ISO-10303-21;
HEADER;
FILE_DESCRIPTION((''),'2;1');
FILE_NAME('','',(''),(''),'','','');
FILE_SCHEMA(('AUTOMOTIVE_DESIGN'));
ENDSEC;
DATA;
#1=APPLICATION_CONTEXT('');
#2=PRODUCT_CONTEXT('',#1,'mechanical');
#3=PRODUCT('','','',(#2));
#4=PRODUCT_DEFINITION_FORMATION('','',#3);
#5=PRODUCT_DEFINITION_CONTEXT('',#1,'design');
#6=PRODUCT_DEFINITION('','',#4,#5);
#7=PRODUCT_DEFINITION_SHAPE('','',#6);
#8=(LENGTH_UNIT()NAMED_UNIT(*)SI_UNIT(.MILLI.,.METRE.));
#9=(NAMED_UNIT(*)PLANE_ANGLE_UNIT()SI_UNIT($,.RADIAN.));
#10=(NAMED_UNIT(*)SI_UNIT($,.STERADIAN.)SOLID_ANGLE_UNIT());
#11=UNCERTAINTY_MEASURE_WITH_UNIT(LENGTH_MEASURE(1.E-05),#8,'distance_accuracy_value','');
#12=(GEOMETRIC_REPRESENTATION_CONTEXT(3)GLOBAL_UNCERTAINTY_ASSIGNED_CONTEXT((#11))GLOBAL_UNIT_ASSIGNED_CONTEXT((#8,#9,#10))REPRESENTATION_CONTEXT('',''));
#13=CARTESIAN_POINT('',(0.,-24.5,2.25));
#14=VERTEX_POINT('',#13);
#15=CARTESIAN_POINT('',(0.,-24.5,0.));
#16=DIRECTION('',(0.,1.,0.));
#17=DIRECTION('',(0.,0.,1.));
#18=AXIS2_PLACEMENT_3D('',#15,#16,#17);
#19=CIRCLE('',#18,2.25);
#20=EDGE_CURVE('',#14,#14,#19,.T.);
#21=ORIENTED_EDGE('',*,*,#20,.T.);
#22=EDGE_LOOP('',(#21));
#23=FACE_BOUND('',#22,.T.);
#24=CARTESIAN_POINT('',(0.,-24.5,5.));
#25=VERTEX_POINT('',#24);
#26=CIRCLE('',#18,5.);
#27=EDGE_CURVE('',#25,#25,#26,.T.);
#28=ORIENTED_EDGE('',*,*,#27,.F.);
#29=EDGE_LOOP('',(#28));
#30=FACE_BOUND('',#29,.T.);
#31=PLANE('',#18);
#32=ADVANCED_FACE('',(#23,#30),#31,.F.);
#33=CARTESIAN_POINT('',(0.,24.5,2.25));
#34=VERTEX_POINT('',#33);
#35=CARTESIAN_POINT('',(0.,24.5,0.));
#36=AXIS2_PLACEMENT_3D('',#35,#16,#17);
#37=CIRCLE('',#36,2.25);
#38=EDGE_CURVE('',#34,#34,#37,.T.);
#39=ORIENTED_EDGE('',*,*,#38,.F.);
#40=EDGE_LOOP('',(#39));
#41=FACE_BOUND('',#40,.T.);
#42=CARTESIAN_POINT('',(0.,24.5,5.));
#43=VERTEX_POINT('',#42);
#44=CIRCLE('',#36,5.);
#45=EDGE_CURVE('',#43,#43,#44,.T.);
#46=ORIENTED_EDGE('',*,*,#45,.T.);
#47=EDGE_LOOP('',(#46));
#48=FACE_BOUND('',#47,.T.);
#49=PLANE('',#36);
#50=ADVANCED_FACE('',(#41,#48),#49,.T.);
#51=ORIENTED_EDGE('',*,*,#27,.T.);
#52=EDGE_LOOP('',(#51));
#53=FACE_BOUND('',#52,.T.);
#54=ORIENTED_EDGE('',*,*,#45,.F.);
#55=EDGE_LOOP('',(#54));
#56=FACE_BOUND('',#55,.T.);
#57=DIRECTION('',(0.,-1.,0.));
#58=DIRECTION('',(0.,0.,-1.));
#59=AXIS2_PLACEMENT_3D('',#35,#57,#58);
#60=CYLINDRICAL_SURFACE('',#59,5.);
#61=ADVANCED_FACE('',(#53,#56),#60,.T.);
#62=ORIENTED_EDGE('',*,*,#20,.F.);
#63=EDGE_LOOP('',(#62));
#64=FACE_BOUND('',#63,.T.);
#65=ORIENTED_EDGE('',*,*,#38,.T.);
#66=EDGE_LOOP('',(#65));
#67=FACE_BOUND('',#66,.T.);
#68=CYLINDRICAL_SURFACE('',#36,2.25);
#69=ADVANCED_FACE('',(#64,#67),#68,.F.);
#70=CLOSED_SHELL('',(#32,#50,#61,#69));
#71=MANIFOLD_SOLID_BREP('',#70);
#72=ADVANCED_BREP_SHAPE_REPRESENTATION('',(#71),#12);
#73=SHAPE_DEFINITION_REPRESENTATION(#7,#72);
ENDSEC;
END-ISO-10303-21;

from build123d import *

# Parameters (mm, degrees)
CROQUIS1_R                   = 5
SALIENTE_EXTRUIR1_DEPTH      = 24.5
TALADRO_DE_MARGEN_PARA_M41_D = 4.5


with BuildPart() as part:
    # Croquis1 → Saliente-Extruir1 (new, symmetric)
    with BuildSketch(Plane(origin=(0, 0, 0), x_dir=(1, 0, 0), z_dir=(0, 1, 0))):
        with Locations(Location((0, 0, 0), (0, 0, 270))):
            Circle(CROQUIS1_R)
    extrude(amount=SALIENTE_EXTRUIR1_DEPTH, both=True)

    # Taladro de margen para M41 (through all)
    with Locations(Plane(origin=(0, 24.5, 0), x_dir=(1, 0, 0), z_dir=(0, 1, 0))):
        with Locations((0, 0)):
            Hole(TALADRO_DE_MARGEN_PARA_M41_D / 2)


solid = part.part
